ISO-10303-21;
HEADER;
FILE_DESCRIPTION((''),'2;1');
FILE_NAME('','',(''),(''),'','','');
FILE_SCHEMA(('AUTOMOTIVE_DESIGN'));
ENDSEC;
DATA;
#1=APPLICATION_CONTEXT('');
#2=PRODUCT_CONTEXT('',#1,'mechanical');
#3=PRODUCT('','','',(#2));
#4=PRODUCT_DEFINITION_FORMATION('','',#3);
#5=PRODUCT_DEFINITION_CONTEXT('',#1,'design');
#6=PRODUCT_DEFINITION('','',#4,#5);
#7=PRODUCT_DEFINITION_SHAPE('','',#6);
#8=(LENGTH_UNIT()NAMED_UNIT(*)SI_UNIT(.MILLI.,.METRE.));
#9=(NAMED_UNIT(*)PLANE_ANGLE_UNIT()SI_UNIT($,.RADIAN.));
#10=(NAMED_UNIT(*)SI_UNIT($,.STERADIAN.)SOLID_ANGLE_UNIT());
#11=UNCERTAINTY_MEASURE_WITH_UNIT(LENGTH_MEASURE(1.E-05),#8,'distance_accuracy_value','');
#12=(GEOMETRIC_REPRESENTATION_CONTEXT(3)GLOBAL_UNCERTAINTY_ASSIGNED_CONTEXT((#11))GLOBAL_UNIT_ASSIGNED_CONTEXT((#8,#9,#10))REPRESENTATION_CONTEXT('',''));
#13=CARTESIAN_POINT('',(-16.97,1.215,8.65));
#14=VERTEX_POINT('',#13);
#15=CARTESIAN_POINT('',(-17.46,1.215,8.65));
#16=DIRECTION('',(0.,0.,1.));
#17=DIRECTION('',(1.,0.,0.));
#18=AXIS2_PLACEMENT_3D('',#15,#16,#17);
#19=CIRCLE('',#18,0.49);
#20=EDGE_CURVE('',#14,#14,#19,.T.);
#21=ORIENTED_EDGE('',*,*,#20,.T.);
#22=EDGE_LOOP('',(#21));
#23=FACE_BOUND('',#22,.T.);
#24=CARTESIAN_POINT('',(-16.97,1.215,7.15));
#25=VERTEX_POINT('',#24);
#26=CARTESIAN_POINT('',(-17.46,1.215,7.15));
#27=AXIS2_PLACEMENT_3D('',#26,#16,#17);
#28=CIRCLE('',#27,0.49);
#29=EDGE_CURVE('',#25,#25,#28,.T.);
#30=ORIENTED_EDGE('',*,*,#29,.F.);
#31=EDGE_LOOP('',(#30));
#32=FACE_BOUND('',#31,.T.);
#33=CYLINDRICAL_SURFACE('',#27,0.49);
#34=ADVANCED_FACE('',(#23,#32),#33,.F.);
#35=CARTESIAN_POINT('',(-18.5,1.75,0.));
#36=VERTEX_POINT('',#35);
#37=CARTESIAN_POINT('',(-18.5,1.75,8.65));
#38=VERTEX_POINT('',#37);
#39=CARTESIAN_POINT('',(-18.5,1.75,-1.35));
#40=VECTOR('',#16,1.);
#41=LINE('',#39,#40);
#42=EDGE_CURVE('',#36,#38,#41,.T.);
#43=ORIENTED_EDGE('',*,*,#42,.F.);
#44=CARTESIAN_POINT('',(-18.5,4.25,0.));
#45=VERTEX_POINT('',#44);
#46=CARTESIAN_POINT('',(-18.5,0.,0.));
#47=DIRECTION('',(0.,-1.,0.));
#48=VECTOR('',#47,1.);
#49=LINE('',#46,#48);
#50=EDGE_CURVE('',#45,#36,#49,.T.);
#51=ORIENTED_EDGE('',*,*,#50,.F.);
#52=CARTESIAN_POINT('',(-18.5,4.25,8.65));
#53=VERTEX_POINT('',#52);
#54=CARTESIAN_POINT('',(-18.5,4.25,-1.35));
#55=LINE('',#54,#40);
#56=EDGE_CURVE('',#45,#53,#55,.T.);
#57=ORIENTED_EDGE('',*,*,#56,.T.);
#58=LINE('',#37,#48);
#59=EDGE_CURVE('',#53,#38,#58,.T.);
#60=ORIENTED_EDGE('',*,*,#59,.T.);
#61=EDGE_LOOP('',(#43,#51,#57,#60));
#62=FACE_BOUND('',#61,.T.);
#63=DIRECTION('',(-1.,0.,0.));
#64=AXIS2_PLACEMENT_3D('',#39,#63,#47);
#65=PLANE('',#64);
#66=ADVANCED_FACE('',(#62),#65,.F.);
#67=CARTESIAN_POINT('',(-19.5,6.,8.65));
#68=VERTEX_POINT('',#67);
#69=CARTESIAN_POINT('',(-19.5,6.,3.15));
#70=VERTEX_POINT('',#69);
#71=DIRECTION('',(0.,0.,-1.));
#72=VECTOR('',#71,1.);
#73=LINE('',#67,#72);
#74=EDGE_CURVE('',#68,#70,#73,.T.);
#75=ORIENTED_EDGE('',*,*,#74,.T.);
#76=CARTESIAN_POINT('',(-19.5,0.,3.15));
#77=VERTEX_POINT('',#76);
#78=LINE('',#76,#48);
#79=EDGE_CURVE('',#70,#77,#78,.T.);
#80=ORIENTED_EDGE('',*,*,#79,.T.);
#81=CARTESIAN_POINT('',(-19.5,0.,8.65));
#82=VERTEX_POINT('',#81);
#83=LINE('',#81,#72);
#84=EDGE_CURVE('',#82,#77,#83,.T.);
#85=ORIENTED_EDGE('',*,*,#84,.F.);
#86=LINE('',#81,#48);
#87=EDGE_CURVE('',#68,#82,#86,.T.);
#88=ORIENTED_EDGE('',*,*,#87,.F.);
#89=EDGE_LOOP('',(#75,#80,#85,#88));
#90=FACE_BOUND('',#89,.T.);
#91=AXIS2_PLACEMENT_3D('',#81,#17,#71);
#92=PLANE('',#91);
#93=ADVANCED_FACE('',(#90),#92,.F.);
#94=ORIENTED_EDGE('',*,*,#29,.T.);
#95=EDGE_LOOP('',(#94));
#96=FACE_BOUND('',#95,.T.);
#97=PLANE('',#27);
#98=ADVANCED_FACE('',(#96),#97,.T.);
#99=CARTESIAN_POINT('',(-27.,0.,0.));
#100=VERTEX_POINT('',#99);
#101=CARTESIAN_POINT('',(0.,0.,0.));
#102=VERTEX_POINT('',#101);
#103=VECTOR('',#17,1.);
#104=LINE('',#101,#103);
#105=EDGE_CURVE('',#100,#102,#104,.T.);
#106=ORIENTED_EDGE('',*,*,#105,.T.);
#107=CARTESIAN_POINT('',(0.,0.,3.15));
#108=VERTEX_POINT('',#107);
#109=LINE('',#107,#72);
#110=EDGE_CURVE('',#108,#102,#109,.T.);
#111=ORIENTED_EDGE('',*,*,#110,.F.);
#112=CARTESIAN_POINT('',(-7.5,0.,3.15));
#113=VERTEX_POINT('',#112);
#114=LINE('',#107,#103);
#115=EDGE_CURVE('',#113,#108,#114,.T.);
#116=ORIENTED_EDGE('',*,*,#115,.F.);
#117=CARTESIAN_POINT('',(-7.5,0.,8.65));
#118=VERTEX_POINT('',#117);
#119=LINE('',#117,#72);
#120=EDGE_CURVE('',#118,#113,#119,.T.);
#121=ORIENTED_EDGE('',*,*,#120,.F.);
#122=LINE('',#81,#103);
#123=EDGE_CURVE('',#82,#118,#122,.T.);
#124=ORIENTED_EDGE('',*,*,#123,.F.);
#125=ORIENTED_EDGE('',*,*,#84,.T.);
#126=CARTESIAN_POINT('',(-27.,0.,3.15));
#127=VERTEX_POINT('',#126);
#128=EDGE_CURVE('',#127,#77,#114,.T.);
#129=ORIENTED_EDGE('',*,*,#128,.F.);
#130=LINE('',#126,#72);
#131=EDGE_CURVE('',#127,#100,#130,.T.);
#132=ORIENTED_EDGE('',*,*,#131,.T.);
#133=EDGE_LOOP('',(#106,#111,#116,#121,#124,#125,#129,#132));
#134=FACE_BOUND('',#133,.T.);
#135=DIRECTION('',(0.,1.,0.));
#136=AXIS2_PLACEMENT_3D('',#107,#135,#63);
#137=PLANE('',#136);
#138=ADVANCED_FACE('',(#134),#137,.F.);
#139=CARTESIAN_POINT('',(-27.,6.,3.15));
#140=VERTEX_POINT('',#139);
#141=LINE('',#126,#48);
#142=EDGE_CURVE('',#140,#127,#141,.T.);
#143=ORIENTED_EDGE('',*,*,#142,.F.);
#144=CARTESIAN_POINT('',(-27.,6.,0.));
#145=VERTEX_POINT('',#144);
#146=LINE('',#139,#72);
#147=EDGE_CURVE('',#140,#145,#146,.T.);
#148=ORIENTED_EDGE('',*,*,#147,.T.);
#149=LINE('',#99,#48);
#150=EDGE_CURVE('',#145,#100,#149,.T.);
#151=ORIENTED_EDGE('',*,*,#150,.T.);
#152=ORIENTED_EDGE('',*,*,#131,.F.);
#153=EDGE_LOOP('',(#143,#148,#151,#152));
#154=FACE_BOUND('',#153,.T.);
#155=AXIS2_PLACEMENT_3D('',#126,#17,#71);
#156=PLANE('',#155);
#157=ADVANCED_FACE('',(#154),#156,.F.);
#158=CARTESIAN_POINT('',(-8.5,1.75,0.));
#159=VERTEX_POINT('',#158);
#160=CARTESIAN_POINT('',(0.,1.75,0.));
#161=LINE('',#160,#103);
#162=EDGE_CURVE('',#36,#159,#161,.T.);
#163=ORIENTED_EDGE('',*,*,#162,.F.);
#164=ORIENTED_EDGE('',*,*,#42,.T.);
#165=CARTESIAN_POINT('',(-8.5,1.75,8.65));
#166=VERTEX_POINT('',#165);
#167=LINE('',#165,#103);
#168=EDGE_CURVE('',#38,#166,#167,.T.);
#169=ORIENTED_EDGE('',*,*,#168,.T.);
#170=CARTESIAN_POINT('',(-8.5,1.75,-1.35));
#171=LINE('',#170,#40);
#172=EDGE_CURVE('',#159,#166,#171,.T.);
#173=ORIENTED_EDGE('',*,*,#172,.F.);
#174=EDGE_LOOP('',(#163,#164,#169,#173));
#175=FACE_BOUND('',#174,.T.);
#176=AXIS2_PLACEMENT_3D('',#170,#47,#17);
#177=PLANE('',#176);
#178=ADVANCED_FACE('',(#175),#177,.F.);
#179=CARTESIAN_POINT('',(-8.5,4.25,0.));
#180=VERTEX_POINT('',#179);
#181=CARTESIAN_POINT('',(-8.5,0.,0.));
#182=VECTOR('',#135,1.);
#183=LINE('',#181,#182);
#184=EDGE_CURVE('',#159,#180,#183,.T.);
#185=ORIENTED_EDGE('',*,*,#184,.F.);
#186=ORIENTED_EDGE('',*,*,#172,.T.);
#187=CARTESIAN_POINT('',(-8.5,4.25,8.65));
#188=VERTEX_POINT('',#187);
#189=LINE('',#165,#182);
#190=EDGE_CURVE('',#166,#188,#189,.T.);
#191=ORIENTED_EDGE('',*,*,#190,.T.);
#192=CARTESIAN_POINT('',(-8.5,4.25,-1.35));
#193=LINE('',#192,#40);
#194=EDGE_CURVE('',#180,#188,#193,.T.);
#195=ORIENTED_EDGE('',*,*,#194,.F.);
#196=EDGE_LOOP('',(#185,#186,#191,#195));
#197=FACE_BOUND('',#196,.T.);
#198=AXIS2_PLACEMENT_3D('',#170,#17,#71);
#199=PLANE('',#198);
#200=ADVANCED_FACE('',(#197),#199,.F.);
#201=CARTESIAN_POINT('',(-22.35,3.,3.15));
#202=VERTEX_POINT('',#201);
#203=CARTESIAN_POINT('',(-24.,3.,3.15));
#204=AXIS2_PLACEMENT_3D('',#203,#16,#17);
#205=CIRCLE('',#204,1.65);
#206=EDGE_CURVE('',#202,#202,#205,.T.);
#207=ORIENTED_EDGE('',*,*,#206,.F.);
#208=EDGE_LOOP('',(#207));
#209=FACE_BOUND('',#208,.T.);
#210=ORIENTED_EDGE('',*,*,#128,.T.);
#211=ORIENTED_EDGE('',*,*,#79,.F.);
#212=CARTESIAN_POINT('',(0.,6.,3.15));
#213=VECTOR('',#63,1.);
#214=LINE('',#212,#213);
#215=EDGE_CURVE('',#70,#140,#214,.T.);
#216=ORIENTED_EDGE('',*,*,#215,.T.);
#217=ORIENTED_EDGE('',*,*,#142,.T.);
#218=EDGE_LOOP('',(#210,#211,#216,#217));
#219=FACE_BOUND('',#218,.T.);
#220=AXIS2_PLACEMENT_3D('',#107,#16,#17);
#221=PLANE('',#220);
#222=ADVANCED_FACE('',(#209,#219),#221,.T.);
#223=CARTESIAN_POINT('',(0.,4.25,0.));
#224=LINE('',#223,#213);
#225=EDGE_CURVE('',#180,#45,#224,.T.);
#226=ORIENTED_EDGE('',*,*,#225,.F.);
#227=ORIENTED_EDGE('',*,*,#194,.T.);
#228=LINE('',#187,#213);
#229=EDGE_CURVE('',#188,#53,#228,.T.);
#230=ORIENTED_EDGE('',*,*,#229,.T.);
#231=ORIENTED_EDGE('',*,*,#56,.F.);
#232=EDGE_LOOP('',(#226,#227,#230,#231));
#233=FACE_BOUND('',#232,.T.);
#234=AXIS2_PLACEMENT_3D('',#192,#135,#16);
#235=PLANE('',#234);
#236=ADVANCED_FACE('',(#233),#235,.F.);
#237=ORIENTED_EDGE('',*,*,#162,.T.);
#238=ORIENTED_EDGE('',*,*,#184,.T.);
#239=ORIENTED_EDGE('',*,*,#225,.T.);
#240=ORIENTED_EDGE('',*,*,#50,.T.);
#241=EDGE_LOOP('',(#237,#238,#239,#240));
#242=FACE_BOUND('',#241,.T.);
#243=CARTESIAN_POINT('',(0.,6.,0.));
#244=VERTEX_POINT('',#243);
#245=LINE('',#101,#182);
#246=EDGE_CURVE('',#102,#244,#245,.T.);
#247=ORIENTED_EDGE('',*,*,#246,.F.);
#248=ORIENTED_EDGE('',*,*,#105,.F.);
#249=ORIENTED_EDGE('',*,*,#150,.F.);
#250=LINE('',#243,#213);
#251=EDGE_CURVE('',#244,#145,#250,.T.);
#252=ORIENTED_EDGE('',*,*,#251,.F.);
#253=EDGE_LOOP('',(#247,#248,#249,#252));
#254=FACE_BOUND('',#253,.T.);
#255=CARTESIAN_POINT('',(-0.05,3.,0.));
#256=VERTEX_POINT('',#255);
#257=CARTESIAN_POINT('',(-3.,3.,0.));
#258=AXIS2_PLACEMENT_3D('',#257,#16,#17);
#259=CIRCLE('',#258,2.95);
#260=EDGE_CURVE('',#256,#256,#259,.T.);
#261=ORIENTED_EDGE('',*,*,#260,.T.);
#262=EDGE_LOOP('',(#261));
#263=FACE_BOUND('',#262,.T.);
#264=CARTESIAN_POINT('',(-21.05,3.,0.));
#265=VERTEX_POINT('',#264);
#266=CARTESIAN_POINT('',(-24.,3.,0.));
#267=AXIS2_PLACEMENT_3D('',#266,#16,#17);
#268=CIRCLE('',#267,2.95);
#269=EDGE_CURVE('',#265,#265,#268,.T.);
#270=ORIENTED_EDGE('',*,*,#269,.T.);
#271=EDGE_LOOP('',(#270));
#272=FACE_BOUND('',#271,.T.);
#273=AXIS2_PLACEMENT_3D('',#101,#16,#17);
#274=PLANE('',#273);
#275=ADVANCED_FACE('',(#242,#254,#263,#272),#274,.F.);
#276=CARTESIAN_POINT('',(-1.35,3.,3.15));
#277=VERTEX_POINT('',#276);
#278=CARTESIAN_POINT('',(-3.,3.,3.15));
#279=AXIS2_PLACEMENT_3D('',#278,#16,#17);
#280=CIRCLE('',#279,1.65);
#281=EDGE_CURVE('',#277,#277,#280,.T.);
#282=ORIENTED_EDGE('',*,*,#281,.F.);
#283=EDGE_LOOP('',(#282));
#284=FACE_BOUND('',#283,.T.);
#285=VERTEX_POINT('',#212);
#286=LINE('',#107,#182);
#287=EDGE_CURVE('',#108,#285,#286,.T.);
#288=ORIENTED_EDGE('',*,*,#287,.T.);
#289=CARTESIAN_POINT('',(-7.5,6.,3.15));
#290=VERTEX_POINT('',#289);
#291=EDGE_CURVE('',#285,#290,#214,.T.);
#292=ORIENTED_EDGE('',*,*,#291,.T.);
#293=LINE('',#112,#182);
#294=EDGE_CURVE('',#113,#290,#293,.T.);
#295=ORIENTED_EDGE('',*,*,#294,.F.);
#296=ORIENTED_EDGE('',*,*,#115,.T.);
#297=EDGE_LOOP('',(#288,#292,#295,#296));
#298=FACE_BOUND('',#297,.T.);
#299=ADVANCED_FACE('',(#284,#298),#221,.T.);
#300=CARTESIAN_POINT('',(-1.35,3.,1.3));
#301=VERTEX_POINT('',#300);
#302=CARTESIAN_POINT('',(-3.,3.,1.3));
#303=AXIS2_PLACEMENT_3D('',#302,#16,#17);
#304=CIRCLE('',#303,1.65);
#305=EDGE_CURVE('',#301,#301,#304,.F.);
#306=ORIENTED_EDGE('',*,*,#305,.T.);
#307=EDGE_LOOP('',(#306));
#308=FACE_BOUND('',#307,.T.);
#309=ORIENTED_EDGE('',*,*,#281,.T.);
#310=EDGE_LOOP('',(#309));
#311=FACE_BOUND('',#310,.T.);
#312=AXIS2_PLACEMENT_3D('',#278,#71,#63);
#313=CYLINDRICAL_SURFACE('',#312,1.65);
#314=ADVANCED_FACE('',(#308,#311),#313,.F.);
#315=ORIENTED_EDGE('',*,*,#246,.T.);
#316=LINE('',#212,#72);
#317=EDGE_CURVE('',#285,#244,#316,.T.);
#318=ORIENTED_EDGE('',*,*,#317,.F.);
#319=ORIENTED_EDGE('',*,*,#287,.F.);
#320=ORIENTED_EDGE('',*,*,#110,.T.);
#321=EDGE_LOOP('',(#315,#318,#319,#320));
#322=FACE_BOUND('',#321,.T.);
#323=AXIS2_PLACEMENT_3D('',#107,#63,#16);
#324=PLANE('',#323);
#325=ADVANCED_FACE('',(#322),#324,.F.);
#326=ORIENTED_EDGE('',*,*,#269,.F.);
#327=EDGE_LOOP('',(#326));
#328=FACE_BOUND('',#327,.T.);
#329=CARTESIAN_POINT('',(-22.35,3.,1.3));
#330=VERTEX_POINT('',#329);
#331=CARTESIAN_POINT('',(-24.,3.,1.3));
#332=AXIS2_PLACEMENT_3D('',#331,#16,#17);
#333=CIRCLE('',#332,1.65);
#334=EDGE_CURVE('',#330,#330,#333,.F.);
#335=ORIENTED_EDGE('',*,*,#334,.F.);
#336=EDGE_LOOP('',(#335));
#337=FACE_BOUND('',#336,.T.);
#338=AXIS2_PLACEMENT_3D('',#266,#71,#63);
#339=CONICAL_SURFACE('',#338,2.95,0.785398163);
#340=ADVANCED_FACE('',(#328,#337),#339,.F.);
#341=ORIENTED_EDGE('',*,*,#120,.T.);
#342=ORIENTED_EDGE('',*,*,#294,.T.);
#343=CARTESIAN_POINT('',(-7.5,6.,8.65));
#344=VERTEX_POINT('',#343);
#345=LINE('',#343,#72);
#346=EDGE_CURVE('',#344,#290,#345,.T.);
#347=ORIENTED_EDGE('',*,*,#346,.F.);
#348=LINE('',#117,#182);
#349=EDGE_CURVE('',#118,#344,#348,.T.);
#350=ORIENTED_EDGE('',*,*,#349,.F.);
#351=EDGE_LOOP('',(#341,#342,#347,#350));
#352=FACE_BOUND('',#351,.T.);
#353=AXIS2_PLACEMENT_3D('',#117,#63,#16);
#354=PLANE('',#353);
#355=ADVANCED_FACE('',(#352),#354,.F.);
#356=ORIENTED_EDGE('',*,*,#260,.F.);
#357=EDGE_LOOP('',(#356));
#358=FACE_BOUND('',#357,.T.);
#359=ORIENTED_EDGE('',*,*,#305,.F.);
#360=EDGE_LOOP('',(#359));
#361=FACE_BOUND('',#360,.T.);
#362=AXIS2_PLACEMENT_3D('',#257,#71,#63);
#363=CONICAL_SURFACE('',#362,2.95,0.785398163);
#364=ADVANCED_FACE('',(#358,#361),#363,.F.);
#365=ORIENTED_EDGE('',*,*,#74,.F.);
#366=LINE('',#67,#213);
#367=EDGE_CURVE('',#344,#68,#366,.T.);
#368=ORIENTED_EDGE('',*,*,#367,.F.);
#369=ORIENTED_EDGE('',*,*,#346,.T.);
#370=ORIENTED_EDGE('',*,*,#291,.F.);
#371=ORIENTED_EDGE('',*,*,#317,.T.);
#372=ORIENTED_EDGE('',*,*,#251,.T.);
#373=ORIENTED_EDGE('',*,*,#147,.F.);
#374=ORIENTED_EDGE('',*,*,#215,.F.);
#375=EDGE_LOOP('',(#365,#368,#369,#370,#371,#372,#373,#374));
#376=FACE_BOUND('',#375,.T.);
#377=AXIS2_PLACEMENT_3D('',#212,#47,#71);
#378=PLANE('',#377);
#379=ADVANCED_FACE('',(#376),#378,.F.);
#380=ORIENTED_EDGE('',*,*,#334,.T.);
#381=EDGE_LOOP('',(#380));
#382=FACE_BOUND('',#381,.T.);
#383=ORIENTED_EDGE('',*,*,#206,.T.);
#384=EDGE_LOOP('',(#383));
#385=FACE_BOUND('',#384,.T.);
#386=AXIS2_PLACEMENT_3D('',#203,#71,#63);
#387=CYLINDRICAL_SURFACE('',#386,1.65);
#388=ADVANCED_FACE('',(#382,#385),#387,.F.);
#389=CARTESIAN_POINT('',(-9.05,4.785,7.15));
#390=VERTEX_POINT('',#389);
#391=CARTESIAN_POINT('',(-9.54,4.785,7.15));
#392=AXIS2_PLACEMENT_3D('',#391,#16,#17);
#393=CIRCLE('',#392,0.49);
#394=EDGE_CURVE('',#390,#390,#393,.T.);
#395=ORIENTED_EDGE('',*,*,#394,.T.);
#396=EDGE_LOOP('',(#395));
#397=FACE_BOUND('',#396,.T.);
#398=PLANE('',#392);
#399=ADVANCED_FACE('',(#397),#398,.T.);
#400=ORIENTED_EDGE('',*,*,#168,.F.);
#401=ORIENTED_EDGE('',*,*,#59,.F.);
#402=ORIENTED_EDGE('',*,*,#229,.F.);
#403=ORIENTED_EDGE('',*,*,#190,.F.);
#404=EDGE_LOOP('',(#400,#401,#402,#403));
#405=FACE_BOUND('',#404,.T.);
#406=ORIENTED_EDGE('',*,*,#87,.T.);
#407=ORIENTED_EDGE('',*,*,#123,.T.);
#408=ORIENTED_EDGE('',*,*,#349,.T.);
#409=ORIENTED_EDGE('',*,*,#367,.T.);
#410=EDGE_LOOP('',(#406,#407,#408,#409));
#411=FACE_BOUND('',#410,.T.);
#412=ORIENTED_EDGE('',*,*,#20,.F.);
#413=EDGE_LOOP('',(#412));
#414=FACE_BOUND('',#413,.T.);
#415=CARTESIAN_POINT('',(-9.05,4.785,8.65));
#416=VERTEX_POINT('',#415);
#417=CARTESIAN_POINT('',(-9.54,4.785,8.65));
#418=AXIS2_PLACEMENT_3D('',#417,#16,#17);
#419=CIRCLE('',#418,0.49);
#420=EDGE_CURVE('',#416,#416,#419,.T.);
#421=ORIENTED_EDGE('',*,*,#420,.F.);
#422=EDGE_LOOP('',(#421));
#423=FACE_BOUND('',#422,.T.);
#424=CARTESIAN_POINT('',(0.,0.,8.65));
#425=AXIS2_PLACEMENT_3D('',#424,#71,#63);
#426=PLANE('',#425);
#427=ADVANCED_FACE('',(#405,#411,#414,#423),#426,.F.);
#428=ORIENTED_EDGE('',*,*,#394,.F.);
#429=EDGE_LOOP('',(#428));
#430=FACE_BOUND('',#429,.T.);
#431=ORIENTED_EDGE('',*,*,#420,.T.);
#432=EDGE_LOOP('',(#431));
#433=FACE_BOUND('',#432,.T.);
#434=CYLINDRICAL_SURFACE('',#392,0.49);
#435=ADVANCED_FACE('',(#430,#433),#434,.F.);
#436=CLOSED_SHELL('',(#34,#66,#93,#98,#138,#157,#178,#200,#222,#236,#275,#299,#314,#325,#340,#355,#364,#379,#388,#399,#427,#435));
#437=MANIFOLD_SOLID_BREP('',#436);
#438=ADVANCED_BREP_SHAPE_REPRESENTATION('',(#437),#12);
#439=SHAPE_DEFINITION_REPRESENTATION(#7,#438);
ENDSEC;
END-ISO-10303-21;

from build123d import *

# Parameters (mm, degrees)
ESQUISSE1_W             = 27
ESQUISSE1_H             = 6
ESQUISSE1_R             = 1.65
BOSS_EXTRU_1_DEPTH      = 3.15
ESQUISSE3_W             = 12
ESQUISSE3_H             = 6
BOSS_EXTRU_2_DEPTH      = 5.5
ESQUISSE4_W             = 10
ESQUISSE4_H             = 2.5
ENL_V_MAT_EXTRU_1_DEPTH = 10
ESQUISSE5_R             = 0.49
ENL_V_MAT_EXTRU_2_DEPTH = 1.5
CHANFREIN1_SIZE         = 1.3


with BuildPart() as part:
    # Esquisse1 → Boss.-Extru.1 (new body)
    with BuildSketch(Plane.XY):
        with Locations((-13.5, 3)):
            Rectangle(ESQUISSE1_W, ESQUISSE1_H)
        with Locations((-24, 3)):
            Circle(ESQUISSE1_R, mode=Mode.SUBTRACT)
        with Locations((-3, 3)):
            Circle(ESQUISSE1_R, mode=Mode.SUBTRACT)
    extrude(amount=BOSS_EXTRU_1_DEPTH)

    # Esquisse3 → Boss.-Extru.2 (add)
    with BuildSketch(Plane.XY.offset(3.15)):
        with Locations((-13.5, 3)):
            Rectangle(ESQUISSE3_W, ESQUISSE3_H)
    extrude(amount=BOSS_EXTRU_2_DEPTH)

    # Esquisse4 → Enlèv. mat.-Extru.1 (cut)
    with BuildSketch(Plane.XY.offset(8.65)):
        with Locations((-13.5, 3)):
            Rectangle(ESQUISSE4_W, ESQUISSE4_H)
    extrude(amount=-ENL_V_MAT_EXTRU_1_DEPTH, mode=Mode.SUBTRACT)

    # Esquisse5 → Enlèv. mat.-Extru.2 (cut)
    with BuildSketch(Plane.XY.offset(8.65)):
        with Locations((-9.54, 4.785)):
            Circle(ESQUISSE5_R)
        with Locations((-17.46, 1.215)):
            Circle(ESQUISSE5_R)
    extrude(amount=-ENL_V_MAT_EXTRU_2_DEPTH, mode=Mode.SUBTRACT)

    # Chanfrein1
    chanfrein1_edges = [part.edges().sort_by_distance(p)[0] for p in [
        (-4.65, 3, 0),
        (-25.65, 3, 0),
    ]]
    chamfer(chanfrein1_edges, length=CHANFREIN1_SIZE)


solid = part.part
